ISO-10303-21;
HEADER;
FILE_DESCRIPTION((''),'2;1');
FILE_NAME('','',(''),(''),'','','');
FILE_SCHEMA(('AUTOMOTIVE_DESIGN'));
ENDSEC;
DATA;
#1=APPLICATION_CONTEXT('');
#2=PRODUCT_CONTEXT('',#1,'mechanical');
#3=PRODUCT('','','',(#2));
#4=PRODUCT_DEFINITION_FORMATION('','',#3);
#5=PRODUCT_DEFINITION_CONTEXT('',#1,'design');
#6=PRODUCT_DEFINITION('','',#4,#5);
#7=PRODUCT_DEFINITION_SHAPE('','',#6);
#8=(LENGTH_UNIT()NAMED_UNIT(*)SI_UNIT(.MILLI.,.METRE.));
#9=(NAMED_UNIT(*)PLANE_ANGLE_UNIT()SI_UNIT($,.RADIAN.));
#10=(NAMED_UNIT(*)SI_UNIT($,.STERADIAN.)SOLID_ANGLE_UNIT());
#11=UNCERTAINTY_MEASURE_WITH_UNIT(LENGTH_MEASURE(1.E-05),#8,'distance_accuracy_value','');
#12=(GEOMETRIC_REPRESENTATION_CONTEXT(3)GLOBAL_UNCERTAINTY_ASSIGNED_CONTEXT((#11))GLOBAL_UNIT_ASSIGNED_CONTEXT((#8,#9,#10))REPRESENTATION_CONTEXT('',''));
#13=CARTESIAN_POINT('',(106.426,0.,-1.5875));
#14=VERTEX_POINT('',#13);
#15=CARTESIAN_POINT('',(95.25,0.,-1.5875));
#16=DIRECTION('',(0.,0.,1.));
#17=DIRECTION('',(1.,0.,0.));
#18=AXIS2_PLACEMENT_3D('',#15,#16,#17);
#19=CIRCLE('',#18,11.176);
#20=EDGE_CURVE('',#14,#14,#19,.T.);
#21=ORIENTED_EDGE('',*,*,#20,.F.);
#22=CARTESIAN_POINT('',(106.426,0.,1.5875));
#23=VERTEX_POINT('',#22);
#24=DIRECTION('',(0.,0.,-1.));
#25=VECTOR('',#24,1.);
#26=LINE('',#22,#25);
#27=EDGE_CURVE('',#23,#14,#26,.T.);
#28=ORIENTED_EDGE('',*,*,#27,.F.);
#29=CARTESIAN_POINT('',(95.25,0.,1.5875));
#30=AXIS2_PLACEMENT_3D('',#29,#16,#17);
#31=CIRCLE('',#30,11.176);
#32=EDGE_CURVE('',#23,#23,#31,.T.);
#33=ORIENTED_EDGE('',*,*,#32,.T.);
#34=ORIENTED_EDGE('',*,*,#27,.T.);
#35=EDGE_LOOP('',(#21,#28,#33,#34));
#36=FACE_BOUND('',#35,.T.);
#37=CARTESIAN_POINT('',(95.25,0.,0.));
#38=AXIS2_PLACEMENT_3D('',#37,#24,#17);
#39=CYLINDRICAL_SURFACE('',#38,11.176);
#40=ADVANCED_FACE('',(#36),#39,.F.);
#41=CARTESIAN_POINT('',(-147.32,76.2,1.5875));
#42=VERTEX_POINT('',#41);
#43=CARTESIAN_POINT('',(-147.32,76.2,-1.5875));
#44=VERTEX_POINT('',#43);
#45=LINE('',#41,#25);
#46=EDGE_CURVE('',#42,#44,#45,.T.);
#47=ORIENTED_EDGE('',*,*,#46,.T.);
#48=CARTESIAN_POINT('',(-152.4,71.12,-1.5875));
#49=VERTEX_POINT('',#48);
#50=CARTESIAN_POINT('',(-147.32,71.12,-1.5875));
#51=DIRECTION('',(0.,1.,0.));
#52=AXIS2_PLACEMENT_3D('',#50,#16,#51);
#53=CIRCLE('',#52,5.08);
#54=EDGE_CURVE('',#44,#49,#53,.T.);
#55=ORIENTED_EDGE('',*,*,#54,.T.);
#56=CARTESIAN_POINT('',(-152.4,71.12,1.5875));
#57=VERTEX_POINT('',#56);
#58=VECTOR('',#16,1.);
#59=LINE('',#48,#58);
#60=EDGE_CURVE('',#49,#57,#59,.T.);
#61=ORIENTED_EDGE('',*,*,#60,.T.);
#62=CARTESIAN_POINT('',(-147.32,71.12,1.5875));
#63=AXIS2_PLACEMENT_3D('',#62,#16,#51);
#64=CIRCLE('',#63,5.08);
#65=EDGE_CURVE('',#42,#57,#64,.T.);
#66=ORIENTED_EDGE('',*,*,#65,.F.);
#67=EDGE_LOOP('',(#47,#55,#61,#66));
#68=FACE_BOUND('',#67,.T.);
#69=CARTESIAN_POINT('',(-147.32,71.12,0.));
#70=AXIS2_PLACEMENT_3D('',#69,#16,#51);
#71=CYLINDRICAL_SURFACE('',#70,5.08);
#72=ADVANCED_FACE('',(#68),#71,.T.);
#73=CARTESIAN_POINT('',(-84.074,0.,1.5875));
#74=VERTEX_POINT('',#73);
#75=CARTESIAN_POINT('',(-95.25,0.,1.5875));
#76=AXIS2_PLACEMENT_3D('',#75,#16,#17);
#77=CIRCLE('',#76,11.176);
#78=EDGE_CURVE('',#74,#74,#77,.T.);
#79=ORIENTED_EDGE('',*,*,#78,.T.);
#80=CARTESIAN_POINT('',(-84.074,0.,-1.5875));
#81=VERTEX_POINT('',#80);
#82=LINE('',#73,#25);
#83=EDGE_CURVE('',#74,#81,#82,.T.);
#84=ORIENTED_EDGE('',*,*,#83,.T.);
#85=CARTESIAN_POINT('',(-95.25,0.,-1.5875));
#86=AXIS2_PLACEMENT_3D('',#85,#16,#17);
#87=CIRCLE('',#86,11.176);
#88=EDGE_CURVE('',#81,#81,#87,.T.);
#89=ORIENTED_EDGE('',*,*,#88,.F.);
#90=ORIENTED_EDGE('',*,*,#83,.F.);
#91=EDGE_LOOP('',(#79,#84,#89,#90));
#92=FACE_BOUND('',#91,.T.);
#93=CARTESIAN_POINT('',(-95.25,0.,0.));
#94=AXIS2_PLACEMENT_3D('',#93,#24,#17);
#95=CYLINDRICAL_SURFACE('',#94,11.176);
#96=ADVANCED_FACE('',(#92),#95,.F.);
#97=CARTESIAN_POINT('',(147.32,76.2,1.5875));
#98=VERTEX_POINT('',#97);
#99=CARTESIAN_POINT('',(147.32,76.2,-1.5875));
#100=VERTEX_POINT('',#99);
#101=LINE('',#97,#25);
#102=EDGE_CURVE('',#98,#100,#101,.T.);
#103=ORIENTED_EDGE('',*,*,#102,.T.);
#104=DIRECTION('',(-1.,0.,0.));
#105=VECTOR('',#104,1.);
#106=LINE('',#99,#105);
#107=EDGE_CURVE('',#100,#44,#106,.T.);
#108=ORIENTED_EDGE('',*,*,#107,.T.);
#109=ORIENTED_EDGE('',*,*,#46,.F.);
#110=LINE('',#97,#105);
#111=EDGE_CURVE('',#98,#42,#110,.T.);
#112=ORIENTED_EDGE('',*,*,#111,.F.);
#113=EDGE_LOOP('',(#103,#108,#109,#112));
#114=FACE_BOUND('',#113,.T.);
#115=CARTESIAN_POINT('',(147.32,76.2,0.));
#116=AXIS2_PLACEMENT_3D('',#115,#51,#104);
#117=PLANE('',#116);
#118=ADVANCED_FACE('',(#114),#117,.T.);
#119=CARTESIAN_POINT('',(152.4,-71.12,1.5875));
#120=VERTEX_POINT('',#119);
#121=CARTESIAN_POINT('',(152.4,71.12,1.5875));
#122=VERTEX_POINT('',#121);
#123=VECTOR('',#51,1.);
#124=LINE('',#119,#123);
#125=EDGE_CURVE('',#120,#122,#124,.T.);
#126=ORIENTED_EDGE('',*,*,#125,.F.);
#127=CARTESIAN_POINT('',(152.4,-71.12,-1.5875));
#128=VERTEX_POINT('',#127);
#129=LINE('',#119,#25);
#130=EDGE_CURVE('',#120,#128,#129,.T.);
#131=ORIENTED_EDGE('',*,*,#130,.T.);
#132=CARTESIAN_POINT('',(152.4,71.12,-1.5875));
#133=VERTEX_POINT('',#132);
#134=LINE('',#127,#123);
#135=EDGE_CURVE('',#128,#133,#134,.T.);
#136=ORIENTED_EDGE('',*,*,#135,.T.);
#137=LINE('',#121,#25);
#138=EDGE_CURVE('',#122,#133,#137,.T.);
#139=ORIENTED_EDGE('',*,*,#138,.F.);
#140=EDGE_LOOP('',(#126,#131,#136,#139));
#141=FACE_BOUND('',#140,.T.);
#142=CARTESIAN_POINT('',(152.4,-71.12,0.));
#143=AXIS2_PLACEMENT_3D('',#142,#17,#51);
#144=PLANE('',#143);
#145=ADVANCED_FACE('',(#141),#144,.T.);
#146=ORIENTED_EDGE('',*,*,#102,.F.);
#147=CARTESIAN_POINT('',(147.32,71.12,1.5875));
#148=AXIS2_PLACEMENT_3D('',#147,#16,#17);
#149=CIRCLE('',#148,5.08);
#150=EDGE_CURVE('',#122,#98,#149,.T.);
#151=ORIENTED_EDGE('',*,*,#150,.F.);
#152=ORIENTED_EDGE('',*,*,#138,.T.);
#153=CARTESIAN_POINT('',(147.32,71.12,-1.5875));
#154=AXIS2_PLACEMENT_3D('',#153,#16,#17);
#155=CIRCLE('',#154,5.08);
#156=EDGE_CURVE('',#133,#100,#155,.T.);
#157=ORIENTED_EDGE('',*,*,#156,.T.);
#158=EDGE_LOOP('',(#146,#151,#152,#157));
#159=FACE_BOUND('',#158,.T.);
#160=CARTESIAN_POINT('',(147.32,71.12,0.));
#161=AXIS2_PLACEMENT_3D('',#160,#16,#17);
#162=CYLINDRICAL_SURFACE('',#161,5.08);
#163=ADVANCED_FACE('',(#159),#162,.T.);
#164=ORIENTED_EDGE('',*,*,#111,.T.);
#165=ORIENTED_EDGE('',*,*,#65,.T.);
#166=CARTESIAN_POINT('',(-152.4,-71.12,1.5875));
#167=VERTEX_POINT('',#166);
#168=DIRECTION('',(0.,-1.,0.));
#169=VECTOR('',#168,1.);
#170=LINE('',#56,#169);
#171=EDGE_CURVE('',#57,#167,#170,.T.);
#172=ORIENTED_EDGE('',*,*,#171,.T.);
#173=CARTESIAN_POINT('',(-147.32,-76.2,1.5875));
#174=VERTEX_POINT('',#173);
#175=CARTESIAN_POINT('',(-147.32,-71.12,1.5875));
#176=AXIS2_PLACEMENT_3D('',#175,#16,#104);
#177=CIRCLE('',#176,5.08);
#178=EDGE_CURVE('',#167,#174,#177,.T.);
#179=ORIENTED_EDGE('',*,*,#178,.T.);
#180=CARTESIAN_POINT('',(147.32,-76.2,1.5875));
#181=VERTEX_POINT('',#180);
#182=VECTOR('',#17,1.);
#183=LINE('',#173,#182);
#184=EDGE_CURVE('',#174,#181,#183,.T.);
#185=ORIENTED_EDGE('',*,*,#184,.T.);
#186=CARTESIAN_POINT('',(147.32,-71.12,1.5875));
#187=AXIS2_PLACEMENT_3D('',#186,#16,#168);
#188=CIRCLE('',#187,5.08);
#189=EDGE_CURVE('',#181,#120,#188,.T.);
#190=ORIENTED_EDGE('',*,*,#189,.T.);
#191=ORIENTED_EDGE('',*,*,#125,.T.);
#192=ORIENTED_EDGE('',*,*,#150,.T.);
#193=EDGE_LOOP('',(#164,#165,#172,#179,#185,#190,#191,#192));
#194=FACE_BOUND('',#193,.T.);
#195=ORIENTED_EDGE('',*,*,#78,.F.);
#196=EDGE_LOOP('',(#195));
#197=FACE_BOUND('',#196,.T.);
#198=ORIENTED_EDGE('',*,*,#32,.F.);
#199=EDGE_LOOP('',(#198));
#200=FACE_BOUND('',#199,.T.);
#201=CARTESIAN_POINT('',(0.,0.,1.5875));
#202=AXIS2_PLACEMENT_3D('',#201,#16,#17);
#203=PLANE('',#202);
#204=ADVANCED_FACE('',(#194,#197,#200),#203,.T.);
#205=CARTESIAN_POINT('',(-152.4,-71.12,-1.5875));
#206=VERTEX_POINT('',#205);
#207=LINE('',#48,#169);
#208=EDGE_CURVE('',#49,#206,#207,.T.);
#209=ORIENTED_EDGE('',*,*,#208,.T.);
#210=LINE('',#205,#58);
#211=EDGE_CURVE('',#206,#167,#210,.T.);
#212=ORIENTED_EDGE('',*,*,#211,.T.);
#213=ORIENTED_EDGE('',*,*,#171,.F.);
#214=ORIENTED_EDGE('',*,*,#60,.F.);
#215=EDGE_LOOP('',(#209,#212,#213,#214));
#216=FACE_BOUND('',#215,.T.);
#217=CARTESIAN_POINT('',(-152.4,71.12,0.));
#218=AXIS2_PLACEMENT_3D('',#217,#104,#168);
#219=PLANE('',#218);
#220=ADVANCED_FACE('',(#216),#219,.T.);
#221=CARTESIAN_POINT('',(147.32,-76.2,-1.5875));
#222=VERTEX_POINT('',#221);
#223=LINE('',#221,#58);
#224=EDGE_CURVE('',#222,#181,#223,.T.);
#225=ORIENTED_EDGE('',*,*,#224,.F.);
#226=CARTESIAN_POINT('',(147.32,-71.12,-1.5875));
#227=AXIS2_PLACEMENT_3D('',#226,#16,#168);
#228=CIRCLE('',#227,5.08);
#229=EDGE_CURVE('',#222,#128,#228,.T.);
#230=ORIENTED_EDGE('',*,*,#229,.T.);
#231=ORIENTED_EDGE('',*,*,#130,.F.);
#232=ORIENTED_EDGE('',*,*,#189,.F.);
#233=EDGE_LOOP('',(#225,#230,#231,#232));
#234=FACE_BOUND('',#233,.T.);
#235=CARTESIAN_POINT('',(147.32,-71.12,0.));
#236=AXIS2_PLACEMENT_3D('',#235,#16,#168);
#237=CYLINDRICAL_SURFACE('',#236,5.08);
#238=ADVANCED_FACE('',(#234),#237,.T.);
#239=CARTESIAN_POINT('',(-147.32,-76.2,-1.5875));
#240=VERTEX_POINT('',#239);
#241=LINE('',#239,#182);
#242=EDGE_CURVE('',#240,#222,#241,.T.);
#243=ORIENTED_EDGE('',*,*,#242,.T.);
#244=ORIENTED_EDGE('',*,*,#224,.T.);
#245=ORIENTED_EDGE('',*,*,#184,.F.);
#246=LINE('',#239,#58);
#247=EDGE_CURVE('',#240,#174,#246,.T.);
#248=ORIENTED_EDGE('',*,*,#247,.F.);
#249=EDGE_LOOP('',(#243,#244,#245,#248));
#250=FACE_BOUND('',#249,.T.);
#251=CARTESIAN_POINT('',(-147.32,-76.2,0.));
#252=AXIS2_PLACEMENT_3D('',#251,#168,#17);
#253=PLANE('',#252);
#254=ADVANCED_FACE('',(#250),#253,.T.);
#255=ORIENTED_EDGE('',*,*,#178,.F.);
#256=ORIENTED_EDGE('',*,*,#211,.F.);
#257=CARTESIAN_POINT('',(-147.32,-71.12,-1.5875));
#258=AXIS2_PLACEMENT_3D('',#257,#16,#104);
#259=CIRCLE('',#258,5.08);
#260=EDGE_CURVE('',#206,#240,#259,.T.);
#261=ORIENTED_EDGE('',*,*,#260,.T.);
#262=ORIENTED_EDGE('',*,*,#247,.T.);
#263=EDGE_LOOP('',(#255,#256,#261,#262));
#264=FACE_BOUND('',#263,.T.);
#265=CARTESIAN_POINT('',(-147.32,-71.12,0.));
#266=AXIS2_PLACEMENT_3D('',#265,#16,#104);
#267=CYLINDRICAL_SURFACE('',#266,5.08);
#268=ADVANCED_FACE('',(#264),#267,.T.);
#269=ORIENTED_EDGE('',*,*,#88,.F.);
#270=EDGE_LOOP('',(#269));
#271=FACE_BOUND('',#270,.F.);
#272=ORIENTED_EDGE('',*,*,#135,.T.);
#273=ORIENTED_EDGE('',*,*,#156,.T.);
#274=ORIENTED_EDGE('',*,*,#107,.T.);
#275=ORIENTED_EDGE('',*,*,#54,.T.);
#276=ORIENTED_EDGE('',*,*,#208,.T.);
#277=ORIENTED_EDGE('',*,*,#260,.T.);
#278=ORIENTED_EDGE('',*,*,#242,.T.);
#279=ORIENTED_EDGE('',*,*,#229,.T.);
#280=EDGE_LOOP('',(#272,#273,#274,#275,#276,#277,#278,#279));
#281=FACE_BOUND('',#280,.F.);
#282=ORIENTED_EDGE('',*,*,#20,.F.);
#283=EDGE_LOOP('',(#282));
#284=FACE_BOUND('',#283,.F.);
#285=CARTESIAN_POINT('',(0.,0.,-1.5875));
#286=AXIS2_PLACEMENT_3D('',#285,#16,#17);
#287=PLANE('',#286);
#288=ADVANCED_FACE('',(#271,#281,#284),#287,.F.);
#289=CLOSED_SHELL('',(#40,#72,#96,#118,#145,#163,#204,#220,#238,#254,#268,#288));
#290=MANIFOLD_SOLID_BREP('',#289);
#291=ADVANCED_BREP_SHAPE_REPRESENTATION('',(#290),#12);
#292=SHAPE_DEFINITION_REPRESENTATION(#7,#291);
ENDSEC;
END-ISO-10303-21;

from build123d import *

# Parameters (mm, degrees)
F0_R     = 11.176
F1_DEPTH = 1.5875


with BuildPart() as f1:
    # F0 (on Top) → F1 (new body, symmetric)
    with BuildSketch(Plane.XY):
        with BuildLine():
            ThreePointArc((-147.32, 76.2), (-150.9121024484, 74.7121024484), (-152.4, 71.12))
            Line((-152.4, 71.12), (-152.4, -71.12))
            ThreePointArc((-152.4, -71.12), (-150.9121024484, -74.7121024484), (-147.32, -76.2))
            Line((-147.32, -76.2), (147.32, -76.2))
            ThreePointArc((147.32, -76.2), (150.9121024484, -74.7121024484), (152.4, -71.12))
            Line((152.4, -71.12), (152.4, 71.12))
            ThreePointArc((152.4, 71.12), (150.9121024484, 74.7121024484), (147.32, 76.2))
            Line((147.32, 76.2), (-147.32, 76.2))
        make_face()
        with Locations((-95.25, 0)):
            Circle(F0_R, mode=Mode.SUBTRACT)
        with Locations((95.25, 0)):
            Circle(F0_R, mode=Mode.SUBTRACT)
    extrude(amount=F1_DEPTH, both=True)


solid = f1.part
